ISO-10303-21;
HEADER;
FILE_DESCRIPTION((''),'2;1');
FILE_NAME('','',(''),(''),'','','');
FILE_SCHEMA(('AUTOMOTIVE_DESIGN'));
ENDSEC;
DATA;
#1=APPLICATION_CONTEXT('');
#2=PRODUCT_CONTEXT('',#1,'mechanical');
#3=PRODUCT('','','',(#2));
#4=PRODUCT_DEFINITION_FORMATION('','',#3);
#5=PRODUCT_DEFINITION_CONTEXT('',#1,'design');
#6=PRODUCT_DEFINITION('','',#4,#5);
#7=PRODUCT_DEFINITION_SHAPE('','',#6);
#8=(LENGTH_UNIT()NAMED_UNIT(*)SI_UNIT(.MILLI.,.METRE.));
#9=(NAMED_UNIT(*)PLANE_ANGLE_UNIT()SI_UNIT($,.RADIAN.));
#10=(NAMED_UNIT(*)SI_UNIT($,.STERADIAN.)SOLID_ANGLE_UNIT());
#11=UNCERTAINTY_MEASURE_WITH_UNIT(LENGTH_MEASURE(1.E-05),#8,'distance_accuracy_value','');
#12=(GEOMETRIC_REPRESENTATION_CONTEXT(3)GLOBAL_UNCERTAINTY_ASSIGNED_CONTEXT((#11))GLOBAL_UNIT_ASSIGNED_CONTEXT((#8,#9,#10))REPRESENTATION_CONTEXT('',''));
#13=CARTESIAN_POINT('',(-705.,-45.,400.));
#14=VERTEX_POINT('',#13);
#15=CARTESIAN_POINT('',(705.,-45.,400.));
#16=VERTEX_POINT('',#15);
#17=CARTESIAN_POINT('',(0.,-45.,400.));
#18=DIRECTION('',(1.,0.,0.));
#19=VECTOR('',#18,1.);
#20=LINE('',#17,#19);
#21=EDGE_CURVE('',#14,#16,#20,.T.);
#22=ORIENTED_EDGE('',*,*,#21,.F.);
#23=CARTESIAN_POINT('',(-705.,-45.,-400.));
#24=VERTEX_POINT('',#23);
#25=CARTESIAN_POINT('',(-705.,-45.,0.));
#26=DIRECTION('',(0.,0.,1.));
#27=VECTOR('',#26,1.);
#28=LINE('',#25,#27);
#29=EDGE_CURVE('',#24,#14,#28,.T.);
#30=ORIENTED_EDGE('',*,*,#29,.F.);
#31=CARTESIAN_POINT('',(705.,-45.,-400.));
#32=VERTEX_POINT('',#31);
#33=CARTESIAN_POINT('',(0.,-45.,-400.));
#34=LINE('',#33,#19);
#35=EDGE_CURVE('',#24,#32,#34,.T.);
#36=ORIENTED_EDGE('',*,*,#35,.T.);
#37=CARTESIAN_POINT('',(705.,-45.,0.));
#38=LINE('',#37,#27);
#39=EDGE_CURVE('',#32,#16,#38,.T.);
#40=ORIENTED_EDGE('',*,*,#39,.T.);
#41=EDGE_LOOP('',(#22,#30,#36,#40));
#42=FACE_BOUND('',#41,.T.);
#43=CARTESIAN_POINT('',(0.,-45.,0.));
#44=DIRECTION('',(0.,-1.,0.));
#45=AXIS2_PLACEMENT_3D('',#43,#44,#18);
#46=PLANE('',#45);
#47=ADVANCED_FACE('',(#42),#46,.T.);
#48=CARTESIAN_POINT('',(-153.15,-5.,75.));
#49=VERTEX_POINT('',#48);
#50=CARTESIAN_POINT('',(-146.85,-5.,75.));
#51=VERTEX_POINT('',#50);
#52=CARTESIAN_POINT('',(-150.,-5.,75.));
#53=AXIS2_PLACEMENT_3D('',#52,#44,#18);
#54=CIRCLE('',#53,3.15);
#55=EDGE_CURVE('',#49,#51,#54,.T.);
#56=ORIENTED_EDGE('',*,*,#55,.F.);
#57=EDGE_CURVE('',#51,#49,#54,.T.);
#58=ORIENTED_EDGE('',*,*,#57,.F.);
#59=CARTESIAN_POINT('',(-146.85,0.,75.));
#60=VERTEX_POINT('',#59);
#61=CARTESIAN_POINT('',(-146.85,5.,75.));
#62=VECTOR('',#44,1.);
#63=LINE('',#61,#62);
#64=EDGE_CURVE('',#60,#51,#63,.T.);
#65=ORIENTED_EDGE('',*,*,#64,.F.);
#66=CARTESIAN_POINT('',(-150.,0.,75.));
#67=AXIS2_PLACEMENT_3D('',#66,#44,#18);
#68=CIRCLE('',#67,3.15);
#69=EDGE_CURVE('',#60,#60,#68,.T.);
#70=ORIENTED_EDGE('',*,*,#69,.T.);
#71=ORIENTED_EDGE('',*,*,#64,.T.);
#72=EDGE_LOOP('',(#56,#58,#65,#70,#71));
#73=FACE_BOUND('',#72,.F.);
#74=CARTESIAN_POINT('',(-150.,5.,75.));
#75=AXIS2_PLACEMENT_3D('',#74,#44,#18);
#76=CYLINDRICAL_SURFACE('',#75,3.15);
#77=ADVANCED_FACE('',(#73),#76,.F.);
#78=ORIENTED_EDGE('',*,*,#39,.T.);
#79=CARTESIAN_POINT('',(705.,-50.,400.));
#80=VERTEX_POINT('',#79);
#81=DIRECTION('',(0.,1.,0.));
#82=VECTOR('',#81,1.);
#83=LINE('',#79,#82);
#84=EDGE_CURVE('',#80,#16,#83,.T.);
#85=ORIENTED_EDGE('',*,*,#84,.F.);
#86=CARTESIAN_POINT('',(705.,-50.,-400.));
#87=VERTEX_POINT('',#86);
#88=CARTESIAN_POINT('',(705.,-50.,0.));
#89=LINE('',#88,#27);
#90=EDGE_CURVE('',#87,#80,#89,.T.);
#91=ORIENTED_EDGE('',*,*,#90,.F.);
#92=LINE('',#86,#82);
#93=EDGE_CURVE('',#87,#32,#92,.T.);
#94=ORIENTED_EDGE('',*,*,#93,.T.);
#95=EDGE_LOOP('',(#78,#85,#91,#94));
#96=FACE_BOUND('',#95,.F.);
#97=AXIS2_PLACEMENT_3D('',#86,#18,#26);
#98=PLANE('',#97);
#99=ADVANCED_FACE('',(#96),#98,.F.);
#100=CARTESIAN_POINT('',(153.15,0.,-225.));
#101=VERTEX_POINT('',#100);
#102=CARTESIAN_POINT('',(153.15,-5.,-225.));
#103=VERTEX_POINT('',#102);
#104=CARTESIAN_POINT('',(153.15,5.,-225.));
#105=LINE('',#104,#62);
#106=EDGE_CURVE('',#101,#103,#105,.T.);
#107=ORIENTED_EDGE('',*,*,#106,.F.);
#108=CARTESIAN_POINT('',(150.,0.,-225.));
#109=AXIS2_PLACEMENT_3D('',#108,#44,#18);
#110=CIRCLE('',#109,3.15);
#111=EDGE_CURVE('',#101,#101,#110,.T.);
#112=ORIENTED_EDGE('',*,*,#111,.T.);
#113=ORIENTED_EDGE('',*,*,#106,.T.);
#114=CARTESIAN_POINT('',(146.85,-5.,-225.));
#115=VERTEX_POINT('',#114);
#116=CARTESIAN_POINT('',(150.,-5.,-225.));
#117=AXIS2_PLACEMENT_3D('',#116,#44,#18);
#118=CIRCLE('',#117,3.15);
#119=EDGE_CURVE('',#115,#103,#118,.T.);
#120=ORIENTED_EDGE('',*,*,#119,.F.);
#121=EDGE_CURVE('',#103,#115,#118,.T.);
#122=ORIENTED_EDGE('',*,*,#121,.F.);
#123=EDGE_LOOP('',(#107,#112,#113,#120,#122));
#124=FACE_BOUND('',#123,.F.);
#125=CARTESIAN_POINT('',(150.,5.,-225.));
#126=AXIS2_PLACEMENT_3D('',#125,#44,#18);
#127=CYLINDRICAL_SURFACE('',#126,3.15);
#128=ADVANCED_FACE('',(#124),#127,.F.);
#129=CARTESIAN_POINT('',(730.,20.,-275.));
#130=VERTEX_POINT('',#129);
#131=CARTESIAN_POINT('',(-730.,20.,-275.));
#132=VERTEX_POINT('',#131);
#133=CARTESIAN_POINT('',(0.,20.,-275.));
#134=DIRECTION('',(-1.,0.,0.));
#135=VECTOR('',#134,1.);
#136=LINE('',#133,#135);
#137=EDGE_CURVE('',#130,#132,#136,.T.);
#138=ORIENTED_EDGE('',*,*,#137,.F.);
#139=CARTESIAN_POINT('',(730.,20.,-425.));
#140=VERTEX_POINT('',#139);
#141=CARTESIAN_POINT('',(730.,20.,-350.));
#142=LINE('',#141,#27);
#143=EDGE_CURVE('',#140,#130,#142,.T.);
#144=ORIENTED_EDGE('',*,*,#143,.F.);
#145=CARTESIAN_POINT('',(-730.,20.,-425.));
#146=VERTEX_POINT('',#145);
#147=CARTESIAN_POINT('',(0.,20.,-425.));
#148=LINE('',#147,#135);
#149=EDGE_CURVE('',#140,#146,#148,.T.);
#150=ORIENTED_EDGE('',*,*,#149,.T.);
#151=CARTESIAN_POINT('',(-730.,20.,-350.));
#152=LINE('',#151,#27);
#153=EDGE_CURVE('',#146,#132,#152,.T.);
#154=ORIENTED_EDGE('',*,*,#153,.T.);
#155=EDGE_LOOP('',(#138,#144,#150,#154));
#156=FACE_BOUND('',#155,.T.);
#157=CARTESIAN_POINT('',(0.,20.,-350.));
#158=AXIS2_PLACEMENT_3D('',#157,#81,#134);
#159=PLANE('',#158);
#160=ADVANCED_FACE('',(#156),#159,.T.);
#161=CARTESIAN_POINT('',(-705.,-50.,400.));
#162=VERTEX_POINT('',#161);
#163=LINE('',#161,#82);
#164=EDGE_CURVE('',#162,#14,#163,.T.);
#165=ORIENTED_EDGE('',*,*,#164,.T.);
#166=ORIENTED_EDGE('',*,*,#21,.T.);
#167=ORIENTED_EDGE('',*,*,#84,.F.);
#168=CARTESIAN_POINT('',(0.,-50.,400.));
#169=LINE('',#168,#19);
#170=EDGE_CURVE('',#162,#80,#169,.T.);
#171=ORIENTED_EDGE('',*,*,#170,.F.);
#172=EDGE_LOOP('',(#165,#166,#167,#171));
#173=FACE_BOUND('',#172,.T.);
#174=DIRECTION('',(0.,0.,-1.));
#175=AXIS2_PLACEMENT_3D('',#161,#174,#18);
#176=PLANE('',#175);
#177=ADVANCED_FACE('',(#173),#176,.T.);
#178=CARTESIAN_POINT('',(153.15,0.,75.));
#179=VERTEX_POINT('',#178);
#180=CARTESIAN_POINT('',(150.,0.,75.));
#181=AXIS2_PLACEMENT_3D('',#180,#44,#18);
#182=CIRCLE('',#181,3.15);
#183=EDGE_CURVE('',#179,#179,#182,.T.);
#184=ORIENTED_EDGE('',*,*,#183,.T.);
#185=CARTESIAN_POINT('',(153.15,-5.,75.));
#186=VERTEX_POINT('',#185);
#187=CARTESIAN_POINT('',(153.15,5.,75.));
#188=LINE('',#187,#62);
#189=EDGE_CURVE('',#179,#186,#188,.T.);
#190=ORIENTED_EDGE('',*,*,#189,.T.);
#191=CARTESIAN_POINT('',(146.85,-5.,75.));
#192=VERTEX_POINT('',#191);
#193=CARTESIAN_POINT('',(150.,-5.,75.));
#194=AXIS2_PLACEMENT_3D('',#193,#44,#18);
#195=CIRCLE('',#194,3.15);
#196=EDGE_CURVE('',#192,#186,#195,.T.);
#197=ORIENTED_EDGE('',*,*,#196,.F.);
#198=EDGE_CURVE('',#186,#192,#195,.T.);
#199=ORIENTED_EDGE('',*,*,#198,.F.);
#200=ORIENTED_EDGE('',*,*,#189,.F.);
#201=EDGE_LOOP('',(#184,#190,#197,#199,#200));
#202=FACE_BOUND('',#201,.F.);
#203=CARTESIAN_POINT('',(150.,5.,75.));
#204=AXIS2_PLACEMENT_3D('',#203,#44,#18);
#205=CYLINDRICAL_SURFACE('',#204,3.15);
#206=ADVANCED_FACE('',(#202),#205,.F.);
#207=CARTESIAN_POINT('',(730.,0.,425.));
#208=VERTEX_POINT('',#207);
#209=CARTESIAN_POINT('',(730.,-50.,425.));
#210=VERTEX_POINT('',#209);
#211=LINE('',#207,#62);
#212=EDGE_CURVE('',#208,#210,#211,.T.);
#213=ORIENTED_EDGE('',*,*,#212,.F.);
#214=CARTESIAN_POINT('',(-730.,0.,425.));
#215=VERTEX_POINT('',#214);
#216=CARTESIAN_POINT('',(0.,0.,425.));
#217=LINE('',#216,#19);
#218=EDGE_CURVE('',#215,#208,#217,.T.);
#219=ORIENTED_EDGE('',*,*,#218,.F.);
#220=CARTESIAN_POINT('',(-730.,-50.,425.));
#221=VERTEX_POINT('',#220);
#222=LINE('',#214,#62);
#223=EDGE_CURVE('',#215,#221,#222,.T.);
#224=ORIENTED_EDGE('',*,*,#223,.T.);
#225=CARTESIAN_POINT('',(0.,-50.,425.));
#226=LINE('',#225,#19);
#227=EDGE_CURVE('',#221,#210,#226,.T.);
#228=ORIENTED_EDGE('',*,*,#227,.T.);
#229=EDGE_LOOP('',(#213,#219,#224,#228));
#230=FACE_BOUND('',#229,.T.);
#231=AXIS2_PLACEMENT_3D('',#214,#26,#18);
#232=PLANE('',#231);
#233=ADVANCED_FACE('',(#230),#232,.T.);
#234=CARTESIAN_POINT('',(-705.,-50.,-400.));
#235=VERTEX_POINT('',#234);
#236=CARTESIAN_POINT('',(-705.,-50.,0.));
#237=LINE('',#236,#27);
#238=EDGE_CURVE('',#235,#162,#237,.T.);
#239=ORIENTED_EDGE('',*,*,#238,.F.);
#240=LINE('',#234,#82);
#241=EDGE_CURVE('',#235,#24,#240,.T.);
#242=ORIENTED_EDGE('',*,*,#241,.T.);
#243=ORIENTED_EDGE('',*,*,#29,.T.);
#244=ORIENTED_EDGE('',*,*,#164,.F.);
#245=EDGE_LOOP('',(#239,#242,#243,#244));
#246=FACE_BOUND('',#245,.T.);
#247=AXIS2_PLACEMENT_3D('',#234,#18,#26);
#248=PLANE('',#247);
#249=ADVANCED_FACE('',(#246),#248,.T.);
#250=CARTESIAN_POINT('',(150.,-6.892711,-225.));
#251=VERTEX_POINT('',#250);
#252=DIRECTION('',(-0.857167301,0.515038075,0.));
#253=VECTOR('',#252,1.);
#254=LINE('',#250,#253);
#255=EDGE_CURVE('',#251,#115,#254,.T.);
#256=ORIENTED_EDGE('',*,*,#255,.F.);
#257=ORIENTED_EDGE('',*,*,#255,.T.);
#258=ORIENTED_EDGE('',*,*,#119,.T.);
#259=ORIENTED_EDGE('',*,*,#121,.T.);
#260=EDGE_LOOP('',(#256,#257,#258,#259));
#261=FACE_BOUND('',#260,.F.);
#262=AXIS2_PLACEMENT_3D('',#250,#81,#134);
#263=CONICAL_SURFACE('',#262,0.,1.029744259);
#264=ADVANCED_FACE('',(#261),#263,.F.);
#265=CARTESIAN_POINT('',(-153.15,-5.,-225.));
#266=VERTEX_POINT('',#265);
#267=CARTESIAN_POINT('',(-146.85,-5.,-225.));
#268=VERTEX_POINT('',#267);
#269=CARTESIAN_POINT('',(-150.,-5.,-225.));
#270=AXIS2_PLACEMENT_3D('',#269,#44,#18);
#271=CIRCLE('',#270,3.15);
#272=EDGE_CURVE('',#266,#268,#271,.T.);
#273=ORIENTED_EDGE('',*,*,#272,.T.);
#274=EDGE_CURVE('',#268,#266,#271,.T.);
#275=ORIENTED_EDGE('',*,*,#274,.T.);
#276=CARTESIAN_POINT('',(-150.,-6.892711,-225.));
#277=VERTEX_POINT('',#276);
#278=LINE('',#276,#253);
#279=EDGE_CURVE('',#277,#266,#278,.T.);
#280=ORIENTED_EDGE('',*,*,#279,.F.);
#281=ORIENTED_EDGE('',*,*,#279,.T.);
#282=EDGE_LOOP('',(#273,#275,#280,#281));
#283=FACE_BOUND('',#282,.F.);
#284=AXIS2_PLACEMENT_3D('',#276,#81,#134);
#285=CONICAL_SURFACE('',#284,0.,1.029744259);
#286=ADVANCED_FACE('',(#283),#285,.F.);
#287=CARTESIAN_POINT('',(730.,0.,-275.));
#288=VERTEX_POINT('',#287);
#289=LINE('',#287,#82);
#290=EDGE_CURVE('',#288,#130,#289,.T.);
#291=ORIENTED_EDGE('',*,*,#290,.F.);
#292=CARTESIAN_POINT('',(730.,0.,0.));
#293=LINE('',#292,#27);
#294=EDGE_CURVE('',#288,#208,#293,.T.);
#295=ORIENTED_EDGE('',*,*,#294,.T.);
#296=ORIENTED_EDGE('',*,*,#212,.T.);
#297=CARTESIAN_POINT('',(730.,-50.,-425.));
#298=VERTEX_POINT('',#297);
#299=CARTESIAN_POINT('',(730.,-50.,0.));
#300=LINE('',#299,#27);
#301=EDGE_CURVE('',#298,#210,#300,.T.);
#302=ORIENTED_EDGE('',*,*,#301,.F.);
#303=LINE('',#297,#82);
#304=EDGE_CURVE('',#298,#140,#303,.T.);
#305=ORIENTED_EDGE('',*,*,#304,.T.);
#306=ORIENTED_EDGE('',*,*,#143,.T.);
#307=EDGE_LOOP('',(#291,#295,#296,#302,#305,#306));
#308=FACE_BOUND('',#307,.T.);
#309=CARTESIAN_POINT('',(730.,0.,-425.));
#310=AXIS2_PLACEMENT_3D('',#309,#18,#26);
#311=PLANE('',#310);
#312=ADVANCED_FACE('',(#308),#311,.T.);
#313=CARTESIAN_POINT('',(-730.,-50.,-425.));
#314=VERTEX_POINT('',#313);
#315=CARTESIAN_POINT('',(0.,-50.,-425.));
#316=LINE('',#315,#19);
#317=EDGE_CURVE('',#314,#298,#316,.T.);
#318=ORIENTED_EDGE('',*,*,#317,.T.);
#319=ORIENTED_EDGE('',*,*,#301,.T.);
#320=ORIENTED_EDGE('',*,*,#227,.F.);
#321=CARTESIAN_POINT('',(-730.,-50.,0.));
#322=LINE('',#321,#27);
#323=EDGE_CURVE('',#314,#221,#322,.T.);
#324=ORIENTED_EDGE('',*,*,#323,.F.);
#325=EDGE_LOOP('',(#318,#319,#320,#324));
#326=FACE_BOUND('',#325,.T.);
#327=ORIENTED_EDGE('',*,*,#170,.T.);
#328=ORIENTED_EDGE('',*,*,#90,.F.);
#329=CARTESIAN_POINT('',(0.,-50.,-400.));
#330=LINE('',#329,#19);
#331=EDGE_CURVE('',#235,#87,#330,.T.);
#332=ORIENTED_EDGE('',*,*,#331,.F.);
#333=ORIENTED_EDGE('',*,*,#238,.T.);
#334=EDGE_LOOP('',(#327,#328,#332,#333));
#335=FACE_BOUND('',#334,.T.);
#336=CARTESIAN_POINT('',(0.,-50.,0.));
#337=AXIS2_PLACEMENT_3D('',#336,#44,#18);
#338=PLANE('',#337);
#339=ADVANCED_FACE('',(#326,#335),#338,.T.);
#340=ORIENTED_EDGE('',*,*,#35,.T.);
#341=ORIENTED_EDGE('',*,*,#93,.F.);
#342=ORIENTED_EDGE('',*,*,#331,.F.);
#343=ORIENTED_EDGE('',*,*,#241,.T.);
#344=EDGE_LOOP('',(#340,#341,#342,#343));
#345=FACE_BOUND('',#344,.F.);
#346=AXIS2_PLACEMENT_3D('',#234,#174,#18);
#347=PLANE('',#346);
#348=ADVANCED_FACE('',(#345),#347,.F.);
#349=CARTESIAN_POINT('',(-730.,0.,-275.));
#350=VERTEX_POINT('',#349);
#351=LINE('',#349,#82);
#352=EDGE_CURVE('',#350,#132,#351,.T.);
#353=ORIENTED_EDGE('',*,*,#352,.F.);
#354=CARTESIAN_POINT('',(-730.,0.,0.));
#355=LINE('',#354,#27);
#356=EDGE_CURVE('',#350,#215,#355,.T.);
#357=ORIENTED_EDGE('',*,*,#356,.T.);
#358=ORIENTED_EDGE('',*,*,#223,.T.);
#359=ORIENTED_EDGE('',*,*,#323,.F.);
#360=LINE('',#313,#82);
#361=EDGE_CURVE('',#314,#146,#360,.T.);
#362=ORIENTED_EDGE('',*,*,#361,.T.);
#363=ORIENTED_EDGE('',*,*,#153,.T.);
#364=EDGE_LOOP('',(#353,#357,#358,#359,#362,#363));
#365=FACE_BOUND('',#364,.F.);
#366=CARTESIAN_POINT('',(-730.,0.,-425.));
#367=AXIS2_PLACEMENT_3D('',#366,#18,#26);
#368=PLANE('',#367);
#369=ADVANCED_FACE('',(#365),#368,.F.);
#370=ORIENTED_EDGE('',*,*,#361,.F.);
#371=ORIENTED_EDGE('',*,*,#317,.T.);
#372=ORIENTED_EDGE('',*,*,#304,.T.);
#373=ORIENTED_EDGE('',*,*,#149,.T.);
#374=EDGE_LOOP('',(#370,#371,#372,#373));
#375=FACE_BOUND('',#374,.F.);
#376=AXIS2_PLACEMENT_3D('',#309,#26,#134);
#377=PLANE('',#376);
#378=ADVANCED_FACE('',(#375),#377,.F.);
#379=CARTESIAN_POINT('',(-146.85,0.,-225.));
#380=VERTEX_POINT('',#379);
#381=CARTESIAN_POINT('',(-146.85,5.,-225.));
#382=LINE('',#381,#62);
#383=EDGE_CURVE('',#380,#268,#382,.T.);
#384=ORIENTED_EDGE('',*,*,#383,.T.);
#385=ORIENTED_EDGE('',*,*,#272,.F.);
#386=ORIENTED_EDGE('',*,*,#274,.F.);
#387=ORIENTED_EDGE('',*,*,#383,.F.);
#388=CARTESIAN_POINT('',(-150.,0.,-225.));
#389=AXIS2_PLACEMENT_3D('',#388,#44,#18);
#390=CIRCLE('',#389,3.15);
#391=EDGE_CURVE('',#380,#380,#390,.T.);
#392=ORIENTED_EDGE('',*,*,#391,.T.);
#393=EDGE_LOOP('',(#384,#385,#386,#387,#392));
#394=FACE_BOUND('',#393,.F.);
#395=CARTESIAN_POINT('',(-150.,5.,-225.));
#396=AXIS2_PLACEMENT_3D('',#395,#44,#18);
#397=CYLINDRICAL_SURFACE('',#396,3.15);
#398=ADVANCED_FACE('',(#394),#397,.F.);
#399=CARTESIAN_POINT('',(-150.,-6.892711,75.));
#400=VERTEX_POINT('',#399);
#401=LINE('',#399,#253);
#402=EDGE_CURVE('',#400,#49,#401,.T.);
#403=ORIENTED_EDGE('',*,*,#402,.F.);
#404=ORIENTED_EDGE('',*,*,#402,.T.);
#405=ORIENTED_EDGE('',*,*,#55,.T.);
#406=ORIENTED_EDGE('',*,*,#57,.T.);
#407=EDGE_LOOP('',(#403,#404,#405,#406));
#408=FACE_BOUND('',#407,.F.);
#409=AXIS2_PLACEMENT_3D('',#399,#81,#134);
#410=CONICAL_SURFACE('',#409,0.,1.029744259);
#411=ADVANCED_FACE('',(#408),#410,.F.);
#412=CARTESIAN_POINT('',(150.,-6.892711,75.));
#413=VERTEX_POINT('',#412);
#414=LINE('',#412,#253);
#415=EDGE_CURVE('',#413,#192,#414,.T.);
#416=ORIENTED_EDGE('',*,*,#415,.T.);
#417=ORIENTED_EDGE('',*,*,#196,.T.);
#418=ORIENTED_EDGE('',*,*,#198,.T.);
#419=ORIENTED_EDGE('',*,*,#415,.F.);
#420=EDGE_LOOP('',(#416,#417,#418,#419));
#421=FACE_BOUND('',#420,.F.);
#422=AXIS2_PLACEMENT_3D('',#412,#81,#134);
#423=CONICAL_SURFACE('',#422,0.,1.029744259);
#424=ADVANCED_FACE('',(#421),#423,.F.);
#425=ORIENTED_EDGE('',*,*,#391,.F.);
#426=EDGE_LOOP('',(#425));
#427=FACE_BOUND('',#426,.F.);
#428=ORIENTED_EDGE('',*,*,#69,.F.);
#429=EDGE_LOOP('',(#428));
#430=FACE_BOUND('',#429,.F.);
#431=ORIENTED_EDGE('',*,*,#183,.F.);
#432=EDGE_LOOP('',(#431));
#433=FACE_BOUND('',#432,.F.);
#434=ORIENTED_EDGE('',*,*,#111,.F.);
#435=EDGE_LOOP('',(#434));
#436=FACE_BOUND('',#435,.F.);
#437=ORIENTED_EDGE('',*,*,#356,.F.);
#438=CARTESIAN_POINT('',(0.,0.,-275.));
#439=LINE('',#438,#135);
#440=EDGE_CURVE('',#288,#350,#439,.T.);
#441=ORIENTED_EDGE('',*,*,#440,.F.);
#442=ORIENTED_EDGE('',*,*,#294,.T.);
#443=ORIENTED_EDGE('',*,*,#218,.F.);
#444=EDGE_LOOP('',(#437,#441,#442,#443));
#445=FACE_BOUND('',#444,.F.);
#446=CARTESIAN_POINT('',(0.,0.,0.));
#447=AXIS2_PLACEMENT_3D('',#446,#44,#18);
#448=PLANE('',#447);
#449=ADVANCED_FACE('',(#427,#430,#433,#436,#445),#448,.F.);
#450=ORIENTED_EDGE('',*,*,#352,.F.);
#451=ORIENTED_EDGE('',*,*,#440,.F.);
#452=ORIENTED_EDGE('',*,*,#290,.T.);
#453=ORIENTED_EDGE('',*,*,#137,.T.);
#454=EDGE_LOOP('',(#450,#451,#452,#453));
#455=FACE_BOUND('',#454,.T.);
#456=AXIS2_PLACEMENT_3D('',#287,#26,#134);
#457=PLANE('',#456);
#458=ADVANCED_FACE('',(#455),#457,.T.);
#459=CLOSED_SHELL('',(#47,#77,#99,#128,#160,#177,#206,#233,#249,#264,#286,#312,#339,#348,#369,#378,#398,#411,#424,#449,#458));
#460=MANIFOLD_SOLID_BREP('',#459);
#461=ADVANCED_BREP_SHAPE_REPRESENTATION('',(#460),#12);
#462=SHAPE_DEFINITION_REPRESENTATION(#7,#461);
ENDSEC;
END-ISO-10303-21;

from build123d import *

# Parameters (mm, degrees)
F0_W     = 1460
F0_H     = 850
F1_DEPTH = 50
F2_W     = 1410
F2_H     = 800
F3_DEPTH = 5
F5_D     = 6.3
F5_DEPTH = 5
F5_TIP   = 1.8927109499
F4_W     = 1460
F4_H     = 150
F6_DEPTH = 20


with BuildPart() as f1:
    # F0 (on Front) → F1 (new body)
    with BuildSketch(Plane.XZ):
        Rectangle(F0_W, F0_H)
    extrude(amount=F1_DEPTH)

    # F2 (on face) → F3 (cut)
    with BuildSketch(Plane.XZ.offset(50)):
        Rectangle(F2_W, F2_H)
    extrude(amount=-F3_DEPTH, mode=Mode.SUBTRACT)

    # F5
    with Locations(Plane(origin=(0, 0, 0), x_dir=(-1, 0, 0), z_dir=(0, 1, 0))):
        with Locations((-150, 75), (150, 75), (150, -225), (-150, -225)):
            Hole(F5_D / 2, depth=F5_DEPTH)
            with Locations((0, 0, -(F5_DEPTH + F5_TIP / 2))):  # 118° drill point
                Cone(0, F5_D / 2, F5_TIP, mode=Mode.SUBTRACT)

    # F4 (on face) → F6 (join)
    with BuildSketch(Plane(origin=(0, 0, 0), x_dir=(-1, 0, 0), z_dir=(0, 1, 0))):
        with Locations((0, -350)):
            Rectangle(F4_W, F4_H)
    extrude(amount=F6_DEPTH)


solid = f1.part
